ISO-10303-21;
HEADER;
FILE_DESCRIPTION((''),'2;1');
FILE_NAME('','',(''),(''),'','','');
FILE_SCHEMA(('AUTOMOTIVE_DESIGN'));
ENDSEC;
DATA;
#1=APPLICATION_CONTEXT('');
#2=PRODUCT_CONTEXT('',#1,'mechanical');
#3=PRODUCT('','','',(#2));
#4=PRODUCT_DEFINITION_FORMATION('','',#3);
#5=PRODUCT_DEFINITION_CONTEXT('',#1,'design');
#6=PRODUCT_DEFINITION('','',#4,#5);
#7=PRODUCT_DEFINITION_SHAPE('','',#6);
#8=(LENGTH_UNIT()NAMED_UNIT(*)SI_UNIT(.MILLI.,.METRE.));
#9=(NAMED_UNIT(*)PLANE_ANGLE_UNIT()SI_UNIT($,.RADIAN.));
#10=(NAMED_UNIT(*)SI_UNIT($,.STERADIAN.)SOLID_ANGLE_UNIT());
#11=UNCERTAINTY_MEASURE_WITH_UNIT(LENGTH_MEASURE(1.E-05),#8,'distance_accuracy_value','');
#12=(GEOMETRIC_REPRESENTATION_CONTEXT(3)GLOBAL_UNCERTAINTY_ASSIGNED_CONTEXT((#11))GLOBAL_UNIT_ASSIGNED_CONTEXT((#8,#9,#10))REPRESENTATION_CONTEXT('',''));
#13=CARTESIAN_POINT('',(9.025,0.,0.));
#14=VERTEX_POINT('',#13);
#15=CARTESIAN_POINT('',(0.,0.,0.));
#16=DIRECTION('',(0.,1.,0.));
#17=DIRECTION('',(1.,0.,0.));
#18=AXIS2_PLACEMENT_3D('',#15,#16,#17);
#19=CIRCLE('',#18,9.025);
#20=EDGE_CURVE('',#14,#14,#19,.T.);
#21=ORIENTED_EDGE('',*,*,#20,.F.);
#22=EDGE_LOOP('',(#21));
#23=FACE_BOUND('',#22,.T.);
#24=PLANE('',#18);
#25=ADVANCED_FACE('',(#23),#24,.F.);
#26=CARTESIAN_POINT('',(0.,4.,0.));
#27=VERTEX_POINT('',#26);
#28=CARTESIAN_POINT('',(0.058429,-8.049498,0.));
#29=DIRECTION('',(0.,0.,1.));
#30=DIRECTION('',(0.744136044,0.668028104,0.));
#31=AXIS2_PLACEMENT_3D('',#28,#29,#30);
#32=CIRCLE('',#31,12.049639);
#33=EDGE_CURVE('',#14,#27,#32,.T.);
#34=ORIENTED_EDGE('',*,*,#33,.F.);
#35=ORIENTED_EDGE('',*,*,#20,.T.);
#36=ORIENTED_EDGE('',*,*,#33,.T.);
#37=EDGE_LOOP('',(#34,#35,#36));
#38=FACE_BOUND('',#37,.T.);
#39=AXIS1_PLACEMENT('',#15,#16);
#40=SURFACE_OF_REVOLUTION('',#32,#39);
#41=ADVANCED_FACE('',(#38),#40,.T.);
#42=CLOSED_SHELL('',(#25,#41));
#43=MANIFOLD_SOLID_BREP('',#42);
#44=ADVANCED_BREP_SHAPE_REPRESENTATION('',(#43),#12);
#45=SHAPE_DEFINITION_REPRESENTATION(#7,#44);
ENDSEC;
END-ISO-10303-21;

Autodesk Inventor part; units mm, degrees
ref_plane "YZ Plane" through (0, 0, 0) normal (1, 0, 0) x (0, 1, 0)
ref_plane "XZ Plane" through (0, 0, 0) normal (0, 1, 0) x (-1, 0, 0)
ref_plane "XY Plane" through (0, 0, 0) normal (0, 0, 1) x (1, 0, 0)
sketch "Szkic1" plane through (0, 0, 0) normal (0, 0, 1) x (1, 0, 0)
  line L0 (0, 0) -> (9.025, 0)
  line L1 (0, 0) -> (9.025, 0) construction
  line L2 (0, 0) -> (0, 4)
  arc A0 (9.025, 0) -> (0, 4) centre (0.0585, -8.0494) ccw
  dimension "d0" = 9.025
  dimension "d1" = 0
  dimension "d2" = 4
revolve "Obrót1" add sketch "Szkic1" angle 360 about axis through (0, 0, 0) along (0, 1, 0)
properties part number "soczewka"
